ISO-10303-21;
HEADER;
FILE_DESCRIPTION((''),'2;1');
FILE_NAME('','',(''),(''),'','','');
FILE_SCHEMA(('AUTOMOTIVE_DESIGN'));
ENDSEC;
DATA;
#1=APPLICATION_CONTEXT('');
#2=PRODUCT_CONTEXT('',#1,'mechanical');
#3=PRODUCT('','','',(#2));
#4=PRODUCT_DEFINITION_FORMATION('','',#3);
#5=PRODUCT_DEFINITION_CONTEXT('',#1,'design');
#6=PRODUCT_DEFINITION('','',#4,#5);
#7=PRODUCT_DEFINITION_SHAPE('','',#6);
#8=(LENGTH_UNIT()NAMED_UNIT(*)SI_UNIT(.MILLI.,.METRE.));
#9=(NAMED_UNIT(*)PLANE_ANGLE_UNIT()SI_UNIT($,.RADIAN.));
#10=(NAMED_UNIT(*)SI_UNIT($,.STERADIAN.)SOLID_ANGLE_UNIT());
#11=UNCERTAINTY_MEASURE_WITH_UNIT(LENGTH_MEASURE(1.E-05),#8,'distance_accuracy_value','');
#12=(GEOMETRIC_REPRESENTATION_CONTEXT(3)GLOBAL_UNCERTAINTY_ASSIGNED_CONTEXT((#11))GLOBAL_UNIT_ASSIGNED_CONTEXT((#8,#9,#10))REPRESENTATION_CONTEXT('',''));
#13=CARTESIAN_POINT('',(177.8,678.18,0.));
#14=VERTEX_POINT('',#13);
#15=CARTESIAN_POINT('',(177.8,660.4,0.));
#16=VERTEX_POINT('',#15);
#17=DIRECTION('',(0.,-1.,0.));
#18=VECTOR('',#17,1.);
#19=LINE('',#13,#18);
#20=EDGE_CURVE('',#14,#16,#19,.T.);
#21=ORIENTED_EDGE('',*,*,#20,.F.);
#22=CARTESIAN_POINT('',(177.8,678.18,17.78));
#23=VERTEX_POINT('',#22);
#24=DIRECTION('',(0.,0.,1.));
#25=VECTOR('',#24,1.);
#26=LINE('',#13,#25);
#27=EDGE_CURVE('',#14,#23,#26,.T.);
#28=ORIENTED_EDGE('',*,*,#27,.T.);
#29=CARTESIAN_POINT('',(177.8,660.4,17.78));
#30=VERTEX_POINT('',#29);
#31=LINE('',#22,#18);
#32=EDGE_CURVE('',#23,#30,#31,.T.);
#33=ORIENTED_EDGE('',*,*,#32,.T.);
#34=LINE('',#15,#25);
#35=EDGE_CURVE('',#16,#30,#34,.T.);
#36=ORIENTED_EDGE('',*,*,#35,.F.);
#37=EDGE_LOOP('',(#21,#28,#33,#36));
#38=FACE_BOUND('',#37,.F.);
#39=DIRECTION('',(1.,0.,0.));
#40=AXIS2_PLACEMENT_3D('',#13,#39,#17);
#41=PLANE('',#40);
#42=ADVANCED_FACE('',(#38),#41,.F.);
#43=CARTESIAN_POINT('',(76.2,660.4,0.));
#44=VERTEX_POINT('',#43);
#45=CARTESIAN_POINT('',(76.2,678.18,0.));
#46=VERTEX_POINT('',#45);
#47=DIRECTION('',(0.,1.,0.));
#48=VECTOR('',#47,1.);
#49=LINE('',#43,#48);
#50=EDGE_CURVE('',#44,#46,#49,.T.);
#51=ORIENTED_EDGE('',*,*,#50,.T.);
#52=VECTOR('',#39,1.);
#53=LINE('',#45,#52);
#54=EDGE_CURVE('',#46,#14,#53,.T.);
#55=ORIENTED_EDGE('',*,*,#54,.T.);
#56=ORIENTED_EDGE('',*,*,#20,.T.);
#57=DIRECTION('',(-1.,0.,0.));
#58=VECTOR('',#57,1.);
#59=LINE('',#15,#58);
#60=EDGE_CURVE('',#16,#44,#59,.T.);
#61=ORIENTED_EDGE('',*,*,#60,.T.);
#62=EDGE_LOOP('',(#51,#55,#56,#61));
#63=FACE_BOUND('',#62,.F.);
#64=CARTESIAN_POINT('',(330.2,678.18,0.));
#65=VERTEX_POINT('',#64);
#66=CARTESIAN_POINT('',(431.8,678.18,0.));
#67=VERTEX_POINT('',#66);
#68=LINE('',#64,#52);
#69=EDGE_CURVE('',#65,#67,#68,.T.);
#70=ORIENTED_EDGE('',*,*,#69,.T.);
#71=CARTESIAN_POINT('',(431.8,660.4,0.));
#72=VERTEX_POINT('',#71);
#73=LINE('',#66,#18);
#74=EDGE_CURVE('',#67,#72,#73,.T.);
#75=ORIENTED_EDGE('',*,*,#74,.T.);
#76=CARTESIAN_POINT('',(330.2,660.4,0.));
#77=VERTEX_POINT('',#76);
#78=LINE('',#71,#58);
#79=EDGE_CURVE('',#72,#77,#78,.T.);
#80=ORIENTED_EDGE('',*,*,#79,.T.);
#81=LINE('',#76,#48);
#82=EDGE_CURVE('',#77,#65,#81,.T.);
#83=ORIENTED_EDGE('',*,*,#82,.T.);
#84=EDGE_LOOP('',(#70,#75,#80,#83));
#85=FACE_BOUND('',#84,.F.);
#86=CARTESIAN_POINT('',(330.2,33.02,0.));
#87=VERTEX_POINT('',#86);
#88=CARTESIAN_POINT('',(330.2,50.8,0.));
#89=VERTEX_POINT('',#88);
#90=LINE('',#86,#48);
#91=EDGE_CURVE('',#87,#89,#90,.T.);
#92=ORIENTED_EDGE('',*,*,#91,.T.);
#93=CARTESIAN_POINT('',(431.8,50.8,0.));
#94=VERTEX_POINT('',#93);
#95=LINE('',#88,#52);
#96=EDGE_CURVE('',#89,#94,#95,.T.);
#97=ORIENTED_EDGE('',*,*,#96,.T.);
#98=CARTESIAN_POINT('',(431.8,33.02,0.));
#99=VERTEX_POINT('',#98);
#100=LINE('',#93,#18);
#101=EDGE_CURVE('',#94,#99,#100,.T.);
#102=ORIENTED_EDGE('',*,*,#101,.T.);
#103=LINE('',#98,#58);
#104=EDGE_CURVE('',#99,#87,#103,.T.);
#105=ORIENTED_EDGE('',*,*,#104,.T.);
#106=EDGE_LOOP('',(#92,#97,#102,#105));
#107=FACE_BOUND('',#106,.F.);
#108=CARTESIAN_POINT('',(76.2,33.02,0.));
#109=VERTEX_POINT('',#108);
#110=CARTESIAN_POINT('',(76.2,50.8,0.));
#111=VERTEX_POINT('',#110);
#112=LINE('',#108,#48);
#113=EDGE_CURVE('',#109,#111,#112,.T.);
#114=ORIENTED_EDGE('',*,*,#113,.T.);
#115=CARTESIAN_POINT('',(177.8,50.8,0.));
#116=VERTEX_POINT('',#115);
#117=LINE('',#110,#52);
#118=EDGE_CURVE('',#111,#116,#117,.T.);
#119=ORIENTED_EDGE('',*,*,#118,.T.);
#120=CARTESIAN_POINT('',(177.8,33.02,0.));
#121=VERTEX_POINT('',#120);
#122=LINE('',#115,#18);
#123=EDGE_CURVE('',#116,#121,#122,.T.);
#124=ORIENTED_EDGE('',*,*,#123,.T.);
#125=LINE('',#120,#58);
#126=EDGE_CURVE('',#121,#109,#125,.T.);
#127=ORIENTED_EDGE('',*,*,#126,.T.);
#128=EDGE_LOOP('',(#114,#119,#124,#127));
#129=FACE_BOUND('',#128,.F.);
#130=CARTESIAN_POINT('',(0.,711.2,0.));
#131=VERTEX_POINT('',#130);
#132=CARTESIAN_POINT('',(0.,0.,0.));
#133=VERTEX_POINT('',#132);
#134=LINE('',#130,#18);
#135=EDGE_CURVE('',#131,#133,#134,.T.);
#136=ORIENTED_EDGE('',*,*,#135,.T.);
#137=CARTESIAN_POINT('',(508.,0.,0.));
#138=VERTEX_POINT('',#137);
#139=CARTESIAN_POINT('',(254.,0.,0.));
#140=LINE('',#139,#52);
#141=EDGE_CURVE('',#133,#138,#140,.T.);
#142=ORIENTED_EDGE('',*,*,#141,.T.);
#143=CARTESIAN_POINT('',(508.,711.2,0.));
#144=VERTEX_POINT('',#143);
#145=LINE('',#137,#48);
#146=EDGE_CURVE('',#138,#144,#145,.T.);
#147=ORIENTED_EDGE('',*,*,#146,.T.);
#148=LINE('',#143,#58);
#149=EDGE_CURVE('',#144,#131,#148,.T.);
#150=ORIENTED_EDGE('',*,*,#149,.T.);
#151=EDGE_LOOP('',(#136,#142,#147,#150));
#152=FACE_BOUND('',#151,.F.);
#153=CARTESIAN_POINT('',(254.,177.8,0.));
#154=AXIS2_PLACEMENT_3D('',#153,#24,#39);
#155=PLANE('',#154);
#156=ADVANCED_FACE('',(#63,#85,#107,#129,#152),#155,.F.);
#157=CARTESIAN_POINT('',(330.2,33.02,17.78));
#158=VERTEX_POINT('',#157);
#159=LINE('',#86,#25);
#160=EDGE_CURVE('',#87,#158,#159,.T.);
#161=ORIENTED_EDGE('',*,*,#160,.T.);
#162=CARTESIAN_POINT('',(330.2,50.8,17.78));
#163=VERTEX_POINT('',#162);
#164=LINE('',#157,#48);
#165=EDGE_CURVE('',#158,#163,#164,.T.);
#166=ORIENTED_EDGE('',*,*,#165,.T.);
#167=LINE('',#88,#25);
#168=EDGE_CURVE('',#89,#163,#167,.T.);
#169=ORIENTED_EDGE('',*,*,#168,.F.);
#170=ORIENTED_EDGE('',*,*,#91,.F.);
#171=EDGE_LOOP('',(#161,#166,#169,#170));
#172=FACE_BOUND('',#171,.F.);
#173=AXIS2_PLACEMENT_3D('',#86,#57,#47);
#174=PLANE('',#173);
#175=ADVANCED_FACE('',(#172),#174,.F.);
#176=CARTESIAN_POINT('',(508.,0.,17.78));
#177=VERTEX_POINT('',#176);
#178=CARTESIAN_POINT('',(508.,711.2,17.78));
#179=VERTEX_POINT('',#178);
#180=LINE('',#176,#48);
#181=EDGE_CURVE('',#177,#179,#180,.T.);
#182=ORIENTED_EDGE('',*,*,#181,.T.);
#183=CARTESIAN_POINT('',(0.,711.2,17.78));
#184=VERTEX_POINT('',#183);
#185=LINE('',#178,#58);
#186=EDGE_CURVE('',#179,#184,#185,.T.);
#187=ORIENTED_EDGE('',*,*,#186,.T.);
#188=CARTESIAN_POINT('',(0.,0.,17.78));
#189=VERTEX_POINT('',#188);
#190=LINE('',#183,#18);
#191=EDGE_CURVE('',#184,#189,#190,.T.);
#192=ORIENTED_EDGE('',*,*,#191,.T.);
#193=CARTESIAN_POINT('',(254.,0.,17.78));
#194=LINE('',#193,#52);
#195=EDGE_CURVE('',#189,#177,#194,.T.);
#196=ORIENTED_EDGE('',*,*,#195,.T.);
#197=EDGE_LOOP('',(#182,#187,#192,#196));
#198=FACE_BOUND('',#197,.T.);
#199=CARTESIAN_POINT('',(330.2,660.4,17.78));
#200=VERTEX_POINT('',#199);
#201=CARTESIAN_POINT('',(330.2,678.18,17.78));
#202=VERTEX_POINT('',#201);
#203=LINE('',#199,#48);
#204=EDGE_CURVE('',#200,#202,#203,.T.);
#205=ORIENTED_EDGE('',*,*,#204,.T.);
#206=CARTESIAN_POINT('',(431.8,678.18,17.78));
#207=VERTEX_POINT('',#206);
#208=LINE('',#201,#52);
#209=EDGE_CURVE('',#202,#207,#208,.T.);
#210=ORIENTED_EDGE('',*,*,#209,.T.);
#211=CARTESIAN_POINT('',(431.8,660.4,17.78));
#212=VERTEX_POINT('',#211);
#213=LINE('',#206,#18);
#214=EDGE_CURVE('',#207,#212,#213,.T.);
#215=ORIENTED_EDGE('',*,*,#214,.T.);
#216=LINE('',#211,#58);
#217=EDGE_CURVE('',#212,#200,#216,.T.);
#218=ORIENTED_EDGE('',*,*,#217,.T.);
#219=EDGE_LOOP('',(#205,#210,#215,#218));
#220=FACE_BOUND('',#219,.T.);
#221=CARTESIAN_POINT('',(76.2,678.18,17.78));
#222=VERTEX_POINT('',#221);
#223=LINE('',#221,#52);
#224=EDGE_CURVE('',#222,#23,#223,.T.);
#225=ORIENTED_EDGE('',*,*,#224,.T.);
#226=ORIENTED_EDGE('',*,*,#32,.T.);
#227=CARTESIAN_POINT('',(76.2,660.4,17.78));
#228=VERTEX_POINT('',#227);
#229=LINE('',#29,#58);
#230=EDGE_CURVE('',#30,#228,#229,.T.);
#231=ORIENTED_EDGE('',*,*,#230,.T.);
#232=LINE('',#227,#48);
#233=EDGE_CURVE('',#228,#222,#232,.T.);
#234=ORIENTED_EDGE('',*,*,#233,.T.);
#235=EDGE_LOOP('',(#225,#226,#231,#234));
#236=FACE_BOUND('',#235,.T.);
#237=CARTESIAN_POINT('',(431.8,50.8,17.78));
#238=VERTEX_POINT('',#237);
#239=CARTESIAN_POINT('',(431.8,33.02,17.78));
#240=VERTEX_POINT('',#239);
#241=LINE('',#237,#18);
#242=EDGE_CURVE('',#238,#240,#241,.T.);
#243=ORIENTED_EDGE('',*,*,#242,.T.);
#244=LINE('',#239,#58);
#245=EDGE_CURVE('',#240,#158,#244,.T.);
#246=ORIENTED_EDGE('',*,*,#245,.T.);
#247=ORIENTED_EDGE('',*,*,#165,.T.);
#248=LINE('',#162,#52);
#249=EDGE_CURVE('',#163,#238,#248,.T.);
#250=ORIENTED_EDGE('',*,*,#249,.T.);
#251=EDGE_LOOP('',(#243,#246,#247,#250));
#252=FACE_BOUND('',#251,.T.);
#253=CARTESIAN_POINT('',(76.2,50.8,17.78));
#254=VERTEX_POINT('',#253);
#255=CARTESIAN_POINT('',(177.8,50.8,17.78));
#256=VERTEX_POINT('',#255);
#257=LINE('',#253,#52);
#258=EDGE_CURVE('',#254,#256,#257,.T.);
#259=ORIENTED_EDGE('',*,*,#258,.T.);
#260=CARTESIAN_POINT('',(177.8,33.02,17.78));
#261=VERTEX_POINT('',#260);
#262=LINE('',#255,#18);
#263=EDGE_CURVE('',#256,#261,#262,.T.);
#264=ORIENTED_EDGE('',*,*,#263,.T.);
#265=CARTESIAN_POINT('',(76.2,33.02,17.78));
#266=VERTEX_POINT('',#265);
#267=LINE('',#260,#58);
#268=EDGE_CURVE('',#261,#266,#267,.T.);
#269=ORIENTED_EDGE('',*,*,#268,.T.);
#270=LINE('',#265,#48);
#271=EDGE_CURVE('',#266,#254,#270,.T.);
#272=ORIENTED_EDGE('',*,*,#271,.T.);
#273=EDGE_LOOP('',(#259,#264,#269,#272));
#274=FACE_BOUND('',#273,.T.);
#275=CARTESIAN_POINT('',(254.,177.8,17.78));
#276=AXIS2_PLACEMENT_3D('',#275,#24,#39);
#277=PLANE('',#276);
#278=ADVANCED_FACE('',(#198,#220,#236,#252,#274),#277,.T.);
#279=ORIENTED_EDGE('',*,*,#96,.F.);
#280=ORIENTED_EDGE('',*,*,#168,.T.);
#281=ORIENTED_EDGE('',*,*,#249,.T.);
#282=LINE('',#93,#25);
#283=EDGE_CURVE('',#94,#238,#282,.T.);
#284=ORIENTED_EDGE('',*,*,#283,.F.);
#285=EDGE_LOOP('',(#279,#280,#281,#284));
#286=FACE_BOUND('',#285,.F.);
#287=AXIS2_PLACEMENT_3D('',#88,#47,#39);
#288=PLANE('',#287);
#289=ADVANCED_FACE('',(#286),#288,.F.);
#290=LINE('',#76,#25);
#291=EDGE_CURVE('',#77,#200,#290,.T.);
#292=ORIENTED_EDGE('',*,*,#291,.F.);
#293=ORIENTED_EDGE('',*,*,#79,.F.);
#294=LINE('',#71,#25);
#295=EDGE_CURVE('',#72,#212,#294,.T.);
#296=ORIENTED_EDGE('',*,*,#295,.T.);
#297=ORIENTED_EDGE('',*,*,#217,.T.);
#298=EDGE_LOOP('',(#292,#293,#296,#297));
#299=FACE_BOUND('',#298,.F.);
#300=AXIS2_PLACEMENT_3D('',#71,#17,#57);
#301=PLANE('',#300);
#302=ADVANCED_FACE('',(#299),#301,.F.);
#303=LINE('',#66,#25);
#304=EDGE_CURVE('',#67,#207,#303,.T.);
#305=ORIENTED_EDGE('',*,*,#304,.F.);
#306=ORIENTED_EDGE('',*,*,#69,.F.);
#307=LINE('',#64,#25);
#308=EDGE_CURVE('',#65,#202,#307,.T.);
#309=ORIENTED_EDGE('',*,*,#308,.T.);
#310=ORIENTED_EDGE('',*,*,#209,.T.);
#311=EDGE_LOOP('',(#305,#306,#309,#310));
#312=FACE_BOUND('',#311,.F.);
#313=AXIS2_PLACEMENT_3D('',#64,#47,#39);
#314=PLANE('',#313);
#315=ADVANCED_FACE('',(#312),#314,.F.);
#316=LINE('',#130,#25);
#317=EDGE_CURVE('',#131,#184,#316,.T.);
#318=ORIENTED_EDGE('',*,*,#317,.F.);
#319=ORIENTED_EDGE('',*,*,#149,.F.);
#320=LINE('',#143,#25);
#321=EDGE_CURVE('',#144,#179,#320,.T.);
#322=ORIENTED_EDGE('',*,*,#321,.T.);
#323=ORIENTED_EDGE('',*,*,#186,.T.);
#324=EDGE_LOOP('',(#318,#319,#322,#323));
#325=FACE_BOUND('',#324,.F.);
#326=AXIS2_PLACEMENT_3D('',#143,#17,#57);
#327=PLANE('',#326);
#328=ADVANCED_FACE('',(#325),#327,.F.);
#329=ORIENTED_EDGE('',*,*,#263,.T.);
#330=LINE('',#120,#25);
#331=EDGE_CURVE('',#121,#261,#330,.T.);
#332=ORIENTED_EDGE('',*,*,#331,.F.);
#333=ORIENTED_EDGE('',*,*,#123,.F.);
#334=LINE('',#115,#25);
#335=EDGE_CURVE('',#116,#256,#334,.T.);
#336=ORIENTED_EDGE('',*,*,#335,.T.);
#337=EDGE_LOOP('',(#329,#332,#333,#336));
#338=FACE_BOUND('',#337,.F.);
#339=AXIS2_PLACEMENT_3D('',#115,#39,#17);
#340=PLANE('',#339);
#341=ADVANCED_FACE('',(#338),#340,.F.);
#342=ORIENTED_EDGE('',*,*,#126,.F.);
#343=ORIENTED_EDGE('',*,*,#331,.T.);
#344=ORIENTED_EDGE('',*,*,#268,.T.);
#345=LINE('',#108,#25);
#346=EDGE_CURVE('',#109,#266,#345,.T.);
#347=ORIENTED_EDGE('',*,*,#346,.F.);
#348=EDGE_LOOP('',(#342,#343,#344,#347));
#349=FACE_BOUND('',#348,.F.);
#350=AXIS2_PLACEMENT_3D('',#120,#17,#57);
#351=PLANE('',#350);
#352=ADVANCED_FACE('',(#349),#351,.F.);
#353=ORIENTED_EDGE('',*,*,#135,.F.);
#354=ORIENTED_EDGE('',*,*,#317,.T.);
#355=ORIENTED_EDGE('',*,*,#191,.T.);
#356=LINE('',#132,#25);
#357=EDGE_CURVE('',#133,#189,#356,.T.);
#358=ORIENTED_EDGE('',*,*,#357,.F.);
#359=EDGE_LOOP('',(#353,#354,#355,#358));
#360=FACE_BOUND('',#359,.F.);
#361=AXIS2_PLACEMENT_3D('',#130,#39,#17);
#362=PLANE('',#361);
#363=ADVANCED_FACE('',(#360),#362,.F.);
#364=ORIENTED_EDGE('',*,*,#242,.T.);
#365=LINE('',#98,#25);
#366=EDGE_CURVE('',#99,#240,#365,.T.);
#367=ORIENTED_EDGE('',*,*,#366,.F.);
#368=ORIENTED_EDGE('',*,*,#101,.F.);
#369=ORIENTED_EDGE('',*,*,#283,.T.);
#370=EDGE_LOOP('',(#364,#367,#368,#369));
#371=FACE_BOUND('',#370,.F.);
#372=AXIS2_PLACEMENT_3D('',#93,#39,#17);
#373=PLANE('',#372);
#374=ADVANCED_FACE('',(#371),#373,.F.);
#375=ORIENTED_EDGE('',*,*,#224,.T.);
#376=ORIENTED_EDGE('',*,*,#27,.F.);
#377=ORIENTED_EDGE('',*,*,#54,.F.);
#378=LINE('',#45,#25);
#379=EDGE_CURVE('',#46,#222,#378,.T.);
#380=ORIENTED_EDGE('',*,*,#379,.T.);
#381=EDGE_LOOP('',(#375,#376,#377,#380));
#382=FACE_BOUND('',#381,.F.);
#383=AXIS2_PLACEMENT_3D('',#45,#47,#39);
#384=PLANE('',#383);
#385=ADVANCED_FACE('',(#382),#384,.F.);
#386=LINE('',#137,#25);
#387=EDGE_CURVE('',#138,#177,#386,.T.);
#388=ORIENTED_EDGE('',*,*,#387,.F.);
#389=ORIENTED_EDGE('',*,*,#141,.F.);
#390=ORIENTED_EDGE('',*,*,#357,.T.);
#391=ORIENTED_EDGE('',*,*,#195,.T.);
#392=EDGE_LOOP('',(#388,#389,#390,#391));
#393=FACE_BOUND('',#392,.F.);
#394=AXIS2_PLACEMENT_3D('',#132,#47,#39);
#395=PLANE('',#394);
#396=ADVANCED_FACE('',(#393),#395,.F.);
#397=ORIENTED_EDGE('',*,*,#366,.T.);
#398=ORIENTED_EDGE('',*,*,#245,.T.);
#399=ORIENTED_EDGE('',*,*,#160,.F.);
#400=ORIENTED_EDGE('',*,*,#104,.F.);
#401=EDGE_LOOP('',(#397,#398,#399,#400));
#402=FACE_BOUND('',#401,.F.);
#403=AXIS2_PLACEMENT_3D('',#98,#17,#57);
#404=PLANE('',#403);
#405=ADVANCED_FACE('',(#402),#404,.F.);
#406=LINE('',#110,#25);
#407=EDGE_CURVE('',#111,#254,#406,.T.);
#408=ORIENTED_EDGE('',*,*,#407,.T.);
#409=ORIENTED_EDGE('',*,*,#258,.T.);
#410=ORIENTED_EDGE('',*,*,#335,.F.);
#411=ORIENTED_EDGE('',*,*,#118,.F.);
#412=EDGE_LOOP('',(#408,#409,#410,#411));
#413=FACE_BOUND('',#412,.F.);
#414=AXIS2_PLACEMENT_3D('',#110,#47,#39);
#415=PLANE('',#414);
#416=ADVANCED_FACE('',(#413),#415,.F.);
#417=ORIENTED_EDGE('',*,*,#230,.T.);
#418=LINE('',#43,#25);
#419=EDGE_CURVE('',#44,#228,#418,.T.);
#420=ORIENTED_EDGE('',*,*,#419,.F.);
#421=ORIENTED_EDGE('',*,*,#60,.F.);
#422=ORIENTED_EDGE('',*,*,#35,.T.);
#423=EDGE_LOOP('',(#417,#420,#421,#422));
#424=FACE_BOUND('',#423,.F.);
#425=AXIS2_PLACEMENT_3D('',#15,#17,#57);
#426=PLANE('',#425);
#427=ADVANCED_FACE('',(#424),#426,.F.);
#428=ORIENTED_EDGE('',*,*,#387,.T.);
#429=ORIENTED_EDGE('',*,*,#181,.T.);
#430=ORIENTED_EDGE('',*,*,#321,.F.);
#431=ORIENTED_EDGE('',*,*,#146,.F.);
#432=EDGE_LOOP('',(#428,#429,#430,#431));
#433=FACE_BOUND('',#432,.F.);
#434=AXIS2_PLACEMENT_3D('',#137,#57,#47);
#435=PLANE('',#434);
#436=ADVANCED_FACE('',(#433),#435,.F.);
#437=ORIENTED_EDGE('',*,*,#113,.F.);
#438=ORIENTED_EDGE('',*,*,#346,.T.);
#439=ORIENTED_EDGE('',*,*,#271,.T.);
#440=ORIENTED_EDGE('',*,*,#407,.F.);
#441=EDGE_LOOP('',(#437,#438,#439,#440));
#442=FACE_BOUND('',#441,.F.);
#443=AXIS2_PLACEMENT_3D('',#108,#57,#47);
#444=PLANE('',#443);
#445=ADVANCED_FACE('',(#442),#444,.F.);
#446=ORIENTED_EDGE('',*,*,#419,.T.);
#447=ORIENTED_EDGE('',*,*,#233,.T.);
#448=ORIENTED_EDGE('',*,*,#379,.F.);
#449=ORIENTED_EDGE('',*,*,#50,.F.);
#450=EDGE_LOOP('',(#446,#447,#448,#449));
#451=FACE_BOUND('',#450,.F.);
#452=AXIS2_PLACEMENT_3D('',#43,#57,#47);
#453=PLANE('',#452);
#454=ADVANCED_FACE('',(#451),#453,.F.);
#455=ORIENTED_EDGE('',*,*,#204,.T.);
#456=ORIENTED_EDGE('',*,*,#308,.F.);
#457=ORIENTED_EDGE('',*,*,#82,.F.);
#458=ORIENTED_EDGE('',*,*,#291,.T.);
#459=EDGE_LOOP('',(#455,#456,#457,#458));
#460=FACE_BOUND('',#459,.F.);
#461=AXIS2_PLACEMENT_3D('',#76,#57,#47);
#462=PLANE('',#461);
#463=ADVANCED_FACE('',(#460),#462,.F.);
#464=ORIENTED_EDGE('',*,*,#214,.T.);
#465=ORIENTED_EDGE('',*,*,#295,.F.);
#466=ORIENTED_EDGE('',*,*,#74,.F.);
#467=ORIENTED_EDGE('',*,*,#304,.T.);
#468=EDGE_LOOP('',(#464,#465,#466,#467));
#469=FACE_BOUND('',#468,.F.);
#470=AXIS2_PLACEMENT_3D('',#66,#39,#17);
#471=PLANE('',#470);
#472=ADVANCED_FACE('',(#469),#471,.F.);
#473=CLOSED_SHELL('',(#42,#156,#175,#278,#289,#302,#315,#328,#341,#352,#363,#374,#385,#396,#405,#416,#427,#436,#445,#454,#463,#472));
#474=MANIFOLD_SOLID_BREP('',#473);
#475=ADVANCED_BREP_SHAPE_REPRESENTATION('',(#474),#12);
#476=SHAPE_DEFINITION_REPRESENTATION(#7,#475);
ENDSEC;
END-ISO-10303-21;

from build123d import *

# Parameters (mm, degrees)
F0_W     = 508
F0_H     = 355.6
F1_DEPTH = 17.78


with BuildPart() as f1:
    # F0 (on Top) → F1 (new body)
    with BuildSketch(Plane.XY):
        with Locations((254, 177.8)):
            Rectangle(F0_W, F0_H)
        Polygon((177.8, 50.8), (177.8, 33.02), (76.2, 33.02), (76.2, 50.8), (127, 50.8), align=None, mode=Mode.SUBTRACT)
        Polygon((330.2, 33.02), (330.2, 50.8), (381, 50.8), (431.8, 50.8), (431.8, 33.02), align=None, mode=Mode.SUBTRACT)
        Polygon((0, 660.4), (0, 355.6), (508, 355.6), (508, 711.2), (254, 711.2), (0, 711.2), align=None)
        Polygon((177.8, 660.4), (127, 660.4), (76.2, 660.4), (76.2, 678.18), (177.8, 678.18), align=None, mode=Mode.SUBTRACT)
        Polygon((431.8, 660.4), (381, 660.4), (330.2, 660.4), (330.2, 678.18), (431.8, 678.18), align=None, mode=Mode.SUBTRACT)
    extrude(amount=F1_DEPTH)


solid = f1.part
